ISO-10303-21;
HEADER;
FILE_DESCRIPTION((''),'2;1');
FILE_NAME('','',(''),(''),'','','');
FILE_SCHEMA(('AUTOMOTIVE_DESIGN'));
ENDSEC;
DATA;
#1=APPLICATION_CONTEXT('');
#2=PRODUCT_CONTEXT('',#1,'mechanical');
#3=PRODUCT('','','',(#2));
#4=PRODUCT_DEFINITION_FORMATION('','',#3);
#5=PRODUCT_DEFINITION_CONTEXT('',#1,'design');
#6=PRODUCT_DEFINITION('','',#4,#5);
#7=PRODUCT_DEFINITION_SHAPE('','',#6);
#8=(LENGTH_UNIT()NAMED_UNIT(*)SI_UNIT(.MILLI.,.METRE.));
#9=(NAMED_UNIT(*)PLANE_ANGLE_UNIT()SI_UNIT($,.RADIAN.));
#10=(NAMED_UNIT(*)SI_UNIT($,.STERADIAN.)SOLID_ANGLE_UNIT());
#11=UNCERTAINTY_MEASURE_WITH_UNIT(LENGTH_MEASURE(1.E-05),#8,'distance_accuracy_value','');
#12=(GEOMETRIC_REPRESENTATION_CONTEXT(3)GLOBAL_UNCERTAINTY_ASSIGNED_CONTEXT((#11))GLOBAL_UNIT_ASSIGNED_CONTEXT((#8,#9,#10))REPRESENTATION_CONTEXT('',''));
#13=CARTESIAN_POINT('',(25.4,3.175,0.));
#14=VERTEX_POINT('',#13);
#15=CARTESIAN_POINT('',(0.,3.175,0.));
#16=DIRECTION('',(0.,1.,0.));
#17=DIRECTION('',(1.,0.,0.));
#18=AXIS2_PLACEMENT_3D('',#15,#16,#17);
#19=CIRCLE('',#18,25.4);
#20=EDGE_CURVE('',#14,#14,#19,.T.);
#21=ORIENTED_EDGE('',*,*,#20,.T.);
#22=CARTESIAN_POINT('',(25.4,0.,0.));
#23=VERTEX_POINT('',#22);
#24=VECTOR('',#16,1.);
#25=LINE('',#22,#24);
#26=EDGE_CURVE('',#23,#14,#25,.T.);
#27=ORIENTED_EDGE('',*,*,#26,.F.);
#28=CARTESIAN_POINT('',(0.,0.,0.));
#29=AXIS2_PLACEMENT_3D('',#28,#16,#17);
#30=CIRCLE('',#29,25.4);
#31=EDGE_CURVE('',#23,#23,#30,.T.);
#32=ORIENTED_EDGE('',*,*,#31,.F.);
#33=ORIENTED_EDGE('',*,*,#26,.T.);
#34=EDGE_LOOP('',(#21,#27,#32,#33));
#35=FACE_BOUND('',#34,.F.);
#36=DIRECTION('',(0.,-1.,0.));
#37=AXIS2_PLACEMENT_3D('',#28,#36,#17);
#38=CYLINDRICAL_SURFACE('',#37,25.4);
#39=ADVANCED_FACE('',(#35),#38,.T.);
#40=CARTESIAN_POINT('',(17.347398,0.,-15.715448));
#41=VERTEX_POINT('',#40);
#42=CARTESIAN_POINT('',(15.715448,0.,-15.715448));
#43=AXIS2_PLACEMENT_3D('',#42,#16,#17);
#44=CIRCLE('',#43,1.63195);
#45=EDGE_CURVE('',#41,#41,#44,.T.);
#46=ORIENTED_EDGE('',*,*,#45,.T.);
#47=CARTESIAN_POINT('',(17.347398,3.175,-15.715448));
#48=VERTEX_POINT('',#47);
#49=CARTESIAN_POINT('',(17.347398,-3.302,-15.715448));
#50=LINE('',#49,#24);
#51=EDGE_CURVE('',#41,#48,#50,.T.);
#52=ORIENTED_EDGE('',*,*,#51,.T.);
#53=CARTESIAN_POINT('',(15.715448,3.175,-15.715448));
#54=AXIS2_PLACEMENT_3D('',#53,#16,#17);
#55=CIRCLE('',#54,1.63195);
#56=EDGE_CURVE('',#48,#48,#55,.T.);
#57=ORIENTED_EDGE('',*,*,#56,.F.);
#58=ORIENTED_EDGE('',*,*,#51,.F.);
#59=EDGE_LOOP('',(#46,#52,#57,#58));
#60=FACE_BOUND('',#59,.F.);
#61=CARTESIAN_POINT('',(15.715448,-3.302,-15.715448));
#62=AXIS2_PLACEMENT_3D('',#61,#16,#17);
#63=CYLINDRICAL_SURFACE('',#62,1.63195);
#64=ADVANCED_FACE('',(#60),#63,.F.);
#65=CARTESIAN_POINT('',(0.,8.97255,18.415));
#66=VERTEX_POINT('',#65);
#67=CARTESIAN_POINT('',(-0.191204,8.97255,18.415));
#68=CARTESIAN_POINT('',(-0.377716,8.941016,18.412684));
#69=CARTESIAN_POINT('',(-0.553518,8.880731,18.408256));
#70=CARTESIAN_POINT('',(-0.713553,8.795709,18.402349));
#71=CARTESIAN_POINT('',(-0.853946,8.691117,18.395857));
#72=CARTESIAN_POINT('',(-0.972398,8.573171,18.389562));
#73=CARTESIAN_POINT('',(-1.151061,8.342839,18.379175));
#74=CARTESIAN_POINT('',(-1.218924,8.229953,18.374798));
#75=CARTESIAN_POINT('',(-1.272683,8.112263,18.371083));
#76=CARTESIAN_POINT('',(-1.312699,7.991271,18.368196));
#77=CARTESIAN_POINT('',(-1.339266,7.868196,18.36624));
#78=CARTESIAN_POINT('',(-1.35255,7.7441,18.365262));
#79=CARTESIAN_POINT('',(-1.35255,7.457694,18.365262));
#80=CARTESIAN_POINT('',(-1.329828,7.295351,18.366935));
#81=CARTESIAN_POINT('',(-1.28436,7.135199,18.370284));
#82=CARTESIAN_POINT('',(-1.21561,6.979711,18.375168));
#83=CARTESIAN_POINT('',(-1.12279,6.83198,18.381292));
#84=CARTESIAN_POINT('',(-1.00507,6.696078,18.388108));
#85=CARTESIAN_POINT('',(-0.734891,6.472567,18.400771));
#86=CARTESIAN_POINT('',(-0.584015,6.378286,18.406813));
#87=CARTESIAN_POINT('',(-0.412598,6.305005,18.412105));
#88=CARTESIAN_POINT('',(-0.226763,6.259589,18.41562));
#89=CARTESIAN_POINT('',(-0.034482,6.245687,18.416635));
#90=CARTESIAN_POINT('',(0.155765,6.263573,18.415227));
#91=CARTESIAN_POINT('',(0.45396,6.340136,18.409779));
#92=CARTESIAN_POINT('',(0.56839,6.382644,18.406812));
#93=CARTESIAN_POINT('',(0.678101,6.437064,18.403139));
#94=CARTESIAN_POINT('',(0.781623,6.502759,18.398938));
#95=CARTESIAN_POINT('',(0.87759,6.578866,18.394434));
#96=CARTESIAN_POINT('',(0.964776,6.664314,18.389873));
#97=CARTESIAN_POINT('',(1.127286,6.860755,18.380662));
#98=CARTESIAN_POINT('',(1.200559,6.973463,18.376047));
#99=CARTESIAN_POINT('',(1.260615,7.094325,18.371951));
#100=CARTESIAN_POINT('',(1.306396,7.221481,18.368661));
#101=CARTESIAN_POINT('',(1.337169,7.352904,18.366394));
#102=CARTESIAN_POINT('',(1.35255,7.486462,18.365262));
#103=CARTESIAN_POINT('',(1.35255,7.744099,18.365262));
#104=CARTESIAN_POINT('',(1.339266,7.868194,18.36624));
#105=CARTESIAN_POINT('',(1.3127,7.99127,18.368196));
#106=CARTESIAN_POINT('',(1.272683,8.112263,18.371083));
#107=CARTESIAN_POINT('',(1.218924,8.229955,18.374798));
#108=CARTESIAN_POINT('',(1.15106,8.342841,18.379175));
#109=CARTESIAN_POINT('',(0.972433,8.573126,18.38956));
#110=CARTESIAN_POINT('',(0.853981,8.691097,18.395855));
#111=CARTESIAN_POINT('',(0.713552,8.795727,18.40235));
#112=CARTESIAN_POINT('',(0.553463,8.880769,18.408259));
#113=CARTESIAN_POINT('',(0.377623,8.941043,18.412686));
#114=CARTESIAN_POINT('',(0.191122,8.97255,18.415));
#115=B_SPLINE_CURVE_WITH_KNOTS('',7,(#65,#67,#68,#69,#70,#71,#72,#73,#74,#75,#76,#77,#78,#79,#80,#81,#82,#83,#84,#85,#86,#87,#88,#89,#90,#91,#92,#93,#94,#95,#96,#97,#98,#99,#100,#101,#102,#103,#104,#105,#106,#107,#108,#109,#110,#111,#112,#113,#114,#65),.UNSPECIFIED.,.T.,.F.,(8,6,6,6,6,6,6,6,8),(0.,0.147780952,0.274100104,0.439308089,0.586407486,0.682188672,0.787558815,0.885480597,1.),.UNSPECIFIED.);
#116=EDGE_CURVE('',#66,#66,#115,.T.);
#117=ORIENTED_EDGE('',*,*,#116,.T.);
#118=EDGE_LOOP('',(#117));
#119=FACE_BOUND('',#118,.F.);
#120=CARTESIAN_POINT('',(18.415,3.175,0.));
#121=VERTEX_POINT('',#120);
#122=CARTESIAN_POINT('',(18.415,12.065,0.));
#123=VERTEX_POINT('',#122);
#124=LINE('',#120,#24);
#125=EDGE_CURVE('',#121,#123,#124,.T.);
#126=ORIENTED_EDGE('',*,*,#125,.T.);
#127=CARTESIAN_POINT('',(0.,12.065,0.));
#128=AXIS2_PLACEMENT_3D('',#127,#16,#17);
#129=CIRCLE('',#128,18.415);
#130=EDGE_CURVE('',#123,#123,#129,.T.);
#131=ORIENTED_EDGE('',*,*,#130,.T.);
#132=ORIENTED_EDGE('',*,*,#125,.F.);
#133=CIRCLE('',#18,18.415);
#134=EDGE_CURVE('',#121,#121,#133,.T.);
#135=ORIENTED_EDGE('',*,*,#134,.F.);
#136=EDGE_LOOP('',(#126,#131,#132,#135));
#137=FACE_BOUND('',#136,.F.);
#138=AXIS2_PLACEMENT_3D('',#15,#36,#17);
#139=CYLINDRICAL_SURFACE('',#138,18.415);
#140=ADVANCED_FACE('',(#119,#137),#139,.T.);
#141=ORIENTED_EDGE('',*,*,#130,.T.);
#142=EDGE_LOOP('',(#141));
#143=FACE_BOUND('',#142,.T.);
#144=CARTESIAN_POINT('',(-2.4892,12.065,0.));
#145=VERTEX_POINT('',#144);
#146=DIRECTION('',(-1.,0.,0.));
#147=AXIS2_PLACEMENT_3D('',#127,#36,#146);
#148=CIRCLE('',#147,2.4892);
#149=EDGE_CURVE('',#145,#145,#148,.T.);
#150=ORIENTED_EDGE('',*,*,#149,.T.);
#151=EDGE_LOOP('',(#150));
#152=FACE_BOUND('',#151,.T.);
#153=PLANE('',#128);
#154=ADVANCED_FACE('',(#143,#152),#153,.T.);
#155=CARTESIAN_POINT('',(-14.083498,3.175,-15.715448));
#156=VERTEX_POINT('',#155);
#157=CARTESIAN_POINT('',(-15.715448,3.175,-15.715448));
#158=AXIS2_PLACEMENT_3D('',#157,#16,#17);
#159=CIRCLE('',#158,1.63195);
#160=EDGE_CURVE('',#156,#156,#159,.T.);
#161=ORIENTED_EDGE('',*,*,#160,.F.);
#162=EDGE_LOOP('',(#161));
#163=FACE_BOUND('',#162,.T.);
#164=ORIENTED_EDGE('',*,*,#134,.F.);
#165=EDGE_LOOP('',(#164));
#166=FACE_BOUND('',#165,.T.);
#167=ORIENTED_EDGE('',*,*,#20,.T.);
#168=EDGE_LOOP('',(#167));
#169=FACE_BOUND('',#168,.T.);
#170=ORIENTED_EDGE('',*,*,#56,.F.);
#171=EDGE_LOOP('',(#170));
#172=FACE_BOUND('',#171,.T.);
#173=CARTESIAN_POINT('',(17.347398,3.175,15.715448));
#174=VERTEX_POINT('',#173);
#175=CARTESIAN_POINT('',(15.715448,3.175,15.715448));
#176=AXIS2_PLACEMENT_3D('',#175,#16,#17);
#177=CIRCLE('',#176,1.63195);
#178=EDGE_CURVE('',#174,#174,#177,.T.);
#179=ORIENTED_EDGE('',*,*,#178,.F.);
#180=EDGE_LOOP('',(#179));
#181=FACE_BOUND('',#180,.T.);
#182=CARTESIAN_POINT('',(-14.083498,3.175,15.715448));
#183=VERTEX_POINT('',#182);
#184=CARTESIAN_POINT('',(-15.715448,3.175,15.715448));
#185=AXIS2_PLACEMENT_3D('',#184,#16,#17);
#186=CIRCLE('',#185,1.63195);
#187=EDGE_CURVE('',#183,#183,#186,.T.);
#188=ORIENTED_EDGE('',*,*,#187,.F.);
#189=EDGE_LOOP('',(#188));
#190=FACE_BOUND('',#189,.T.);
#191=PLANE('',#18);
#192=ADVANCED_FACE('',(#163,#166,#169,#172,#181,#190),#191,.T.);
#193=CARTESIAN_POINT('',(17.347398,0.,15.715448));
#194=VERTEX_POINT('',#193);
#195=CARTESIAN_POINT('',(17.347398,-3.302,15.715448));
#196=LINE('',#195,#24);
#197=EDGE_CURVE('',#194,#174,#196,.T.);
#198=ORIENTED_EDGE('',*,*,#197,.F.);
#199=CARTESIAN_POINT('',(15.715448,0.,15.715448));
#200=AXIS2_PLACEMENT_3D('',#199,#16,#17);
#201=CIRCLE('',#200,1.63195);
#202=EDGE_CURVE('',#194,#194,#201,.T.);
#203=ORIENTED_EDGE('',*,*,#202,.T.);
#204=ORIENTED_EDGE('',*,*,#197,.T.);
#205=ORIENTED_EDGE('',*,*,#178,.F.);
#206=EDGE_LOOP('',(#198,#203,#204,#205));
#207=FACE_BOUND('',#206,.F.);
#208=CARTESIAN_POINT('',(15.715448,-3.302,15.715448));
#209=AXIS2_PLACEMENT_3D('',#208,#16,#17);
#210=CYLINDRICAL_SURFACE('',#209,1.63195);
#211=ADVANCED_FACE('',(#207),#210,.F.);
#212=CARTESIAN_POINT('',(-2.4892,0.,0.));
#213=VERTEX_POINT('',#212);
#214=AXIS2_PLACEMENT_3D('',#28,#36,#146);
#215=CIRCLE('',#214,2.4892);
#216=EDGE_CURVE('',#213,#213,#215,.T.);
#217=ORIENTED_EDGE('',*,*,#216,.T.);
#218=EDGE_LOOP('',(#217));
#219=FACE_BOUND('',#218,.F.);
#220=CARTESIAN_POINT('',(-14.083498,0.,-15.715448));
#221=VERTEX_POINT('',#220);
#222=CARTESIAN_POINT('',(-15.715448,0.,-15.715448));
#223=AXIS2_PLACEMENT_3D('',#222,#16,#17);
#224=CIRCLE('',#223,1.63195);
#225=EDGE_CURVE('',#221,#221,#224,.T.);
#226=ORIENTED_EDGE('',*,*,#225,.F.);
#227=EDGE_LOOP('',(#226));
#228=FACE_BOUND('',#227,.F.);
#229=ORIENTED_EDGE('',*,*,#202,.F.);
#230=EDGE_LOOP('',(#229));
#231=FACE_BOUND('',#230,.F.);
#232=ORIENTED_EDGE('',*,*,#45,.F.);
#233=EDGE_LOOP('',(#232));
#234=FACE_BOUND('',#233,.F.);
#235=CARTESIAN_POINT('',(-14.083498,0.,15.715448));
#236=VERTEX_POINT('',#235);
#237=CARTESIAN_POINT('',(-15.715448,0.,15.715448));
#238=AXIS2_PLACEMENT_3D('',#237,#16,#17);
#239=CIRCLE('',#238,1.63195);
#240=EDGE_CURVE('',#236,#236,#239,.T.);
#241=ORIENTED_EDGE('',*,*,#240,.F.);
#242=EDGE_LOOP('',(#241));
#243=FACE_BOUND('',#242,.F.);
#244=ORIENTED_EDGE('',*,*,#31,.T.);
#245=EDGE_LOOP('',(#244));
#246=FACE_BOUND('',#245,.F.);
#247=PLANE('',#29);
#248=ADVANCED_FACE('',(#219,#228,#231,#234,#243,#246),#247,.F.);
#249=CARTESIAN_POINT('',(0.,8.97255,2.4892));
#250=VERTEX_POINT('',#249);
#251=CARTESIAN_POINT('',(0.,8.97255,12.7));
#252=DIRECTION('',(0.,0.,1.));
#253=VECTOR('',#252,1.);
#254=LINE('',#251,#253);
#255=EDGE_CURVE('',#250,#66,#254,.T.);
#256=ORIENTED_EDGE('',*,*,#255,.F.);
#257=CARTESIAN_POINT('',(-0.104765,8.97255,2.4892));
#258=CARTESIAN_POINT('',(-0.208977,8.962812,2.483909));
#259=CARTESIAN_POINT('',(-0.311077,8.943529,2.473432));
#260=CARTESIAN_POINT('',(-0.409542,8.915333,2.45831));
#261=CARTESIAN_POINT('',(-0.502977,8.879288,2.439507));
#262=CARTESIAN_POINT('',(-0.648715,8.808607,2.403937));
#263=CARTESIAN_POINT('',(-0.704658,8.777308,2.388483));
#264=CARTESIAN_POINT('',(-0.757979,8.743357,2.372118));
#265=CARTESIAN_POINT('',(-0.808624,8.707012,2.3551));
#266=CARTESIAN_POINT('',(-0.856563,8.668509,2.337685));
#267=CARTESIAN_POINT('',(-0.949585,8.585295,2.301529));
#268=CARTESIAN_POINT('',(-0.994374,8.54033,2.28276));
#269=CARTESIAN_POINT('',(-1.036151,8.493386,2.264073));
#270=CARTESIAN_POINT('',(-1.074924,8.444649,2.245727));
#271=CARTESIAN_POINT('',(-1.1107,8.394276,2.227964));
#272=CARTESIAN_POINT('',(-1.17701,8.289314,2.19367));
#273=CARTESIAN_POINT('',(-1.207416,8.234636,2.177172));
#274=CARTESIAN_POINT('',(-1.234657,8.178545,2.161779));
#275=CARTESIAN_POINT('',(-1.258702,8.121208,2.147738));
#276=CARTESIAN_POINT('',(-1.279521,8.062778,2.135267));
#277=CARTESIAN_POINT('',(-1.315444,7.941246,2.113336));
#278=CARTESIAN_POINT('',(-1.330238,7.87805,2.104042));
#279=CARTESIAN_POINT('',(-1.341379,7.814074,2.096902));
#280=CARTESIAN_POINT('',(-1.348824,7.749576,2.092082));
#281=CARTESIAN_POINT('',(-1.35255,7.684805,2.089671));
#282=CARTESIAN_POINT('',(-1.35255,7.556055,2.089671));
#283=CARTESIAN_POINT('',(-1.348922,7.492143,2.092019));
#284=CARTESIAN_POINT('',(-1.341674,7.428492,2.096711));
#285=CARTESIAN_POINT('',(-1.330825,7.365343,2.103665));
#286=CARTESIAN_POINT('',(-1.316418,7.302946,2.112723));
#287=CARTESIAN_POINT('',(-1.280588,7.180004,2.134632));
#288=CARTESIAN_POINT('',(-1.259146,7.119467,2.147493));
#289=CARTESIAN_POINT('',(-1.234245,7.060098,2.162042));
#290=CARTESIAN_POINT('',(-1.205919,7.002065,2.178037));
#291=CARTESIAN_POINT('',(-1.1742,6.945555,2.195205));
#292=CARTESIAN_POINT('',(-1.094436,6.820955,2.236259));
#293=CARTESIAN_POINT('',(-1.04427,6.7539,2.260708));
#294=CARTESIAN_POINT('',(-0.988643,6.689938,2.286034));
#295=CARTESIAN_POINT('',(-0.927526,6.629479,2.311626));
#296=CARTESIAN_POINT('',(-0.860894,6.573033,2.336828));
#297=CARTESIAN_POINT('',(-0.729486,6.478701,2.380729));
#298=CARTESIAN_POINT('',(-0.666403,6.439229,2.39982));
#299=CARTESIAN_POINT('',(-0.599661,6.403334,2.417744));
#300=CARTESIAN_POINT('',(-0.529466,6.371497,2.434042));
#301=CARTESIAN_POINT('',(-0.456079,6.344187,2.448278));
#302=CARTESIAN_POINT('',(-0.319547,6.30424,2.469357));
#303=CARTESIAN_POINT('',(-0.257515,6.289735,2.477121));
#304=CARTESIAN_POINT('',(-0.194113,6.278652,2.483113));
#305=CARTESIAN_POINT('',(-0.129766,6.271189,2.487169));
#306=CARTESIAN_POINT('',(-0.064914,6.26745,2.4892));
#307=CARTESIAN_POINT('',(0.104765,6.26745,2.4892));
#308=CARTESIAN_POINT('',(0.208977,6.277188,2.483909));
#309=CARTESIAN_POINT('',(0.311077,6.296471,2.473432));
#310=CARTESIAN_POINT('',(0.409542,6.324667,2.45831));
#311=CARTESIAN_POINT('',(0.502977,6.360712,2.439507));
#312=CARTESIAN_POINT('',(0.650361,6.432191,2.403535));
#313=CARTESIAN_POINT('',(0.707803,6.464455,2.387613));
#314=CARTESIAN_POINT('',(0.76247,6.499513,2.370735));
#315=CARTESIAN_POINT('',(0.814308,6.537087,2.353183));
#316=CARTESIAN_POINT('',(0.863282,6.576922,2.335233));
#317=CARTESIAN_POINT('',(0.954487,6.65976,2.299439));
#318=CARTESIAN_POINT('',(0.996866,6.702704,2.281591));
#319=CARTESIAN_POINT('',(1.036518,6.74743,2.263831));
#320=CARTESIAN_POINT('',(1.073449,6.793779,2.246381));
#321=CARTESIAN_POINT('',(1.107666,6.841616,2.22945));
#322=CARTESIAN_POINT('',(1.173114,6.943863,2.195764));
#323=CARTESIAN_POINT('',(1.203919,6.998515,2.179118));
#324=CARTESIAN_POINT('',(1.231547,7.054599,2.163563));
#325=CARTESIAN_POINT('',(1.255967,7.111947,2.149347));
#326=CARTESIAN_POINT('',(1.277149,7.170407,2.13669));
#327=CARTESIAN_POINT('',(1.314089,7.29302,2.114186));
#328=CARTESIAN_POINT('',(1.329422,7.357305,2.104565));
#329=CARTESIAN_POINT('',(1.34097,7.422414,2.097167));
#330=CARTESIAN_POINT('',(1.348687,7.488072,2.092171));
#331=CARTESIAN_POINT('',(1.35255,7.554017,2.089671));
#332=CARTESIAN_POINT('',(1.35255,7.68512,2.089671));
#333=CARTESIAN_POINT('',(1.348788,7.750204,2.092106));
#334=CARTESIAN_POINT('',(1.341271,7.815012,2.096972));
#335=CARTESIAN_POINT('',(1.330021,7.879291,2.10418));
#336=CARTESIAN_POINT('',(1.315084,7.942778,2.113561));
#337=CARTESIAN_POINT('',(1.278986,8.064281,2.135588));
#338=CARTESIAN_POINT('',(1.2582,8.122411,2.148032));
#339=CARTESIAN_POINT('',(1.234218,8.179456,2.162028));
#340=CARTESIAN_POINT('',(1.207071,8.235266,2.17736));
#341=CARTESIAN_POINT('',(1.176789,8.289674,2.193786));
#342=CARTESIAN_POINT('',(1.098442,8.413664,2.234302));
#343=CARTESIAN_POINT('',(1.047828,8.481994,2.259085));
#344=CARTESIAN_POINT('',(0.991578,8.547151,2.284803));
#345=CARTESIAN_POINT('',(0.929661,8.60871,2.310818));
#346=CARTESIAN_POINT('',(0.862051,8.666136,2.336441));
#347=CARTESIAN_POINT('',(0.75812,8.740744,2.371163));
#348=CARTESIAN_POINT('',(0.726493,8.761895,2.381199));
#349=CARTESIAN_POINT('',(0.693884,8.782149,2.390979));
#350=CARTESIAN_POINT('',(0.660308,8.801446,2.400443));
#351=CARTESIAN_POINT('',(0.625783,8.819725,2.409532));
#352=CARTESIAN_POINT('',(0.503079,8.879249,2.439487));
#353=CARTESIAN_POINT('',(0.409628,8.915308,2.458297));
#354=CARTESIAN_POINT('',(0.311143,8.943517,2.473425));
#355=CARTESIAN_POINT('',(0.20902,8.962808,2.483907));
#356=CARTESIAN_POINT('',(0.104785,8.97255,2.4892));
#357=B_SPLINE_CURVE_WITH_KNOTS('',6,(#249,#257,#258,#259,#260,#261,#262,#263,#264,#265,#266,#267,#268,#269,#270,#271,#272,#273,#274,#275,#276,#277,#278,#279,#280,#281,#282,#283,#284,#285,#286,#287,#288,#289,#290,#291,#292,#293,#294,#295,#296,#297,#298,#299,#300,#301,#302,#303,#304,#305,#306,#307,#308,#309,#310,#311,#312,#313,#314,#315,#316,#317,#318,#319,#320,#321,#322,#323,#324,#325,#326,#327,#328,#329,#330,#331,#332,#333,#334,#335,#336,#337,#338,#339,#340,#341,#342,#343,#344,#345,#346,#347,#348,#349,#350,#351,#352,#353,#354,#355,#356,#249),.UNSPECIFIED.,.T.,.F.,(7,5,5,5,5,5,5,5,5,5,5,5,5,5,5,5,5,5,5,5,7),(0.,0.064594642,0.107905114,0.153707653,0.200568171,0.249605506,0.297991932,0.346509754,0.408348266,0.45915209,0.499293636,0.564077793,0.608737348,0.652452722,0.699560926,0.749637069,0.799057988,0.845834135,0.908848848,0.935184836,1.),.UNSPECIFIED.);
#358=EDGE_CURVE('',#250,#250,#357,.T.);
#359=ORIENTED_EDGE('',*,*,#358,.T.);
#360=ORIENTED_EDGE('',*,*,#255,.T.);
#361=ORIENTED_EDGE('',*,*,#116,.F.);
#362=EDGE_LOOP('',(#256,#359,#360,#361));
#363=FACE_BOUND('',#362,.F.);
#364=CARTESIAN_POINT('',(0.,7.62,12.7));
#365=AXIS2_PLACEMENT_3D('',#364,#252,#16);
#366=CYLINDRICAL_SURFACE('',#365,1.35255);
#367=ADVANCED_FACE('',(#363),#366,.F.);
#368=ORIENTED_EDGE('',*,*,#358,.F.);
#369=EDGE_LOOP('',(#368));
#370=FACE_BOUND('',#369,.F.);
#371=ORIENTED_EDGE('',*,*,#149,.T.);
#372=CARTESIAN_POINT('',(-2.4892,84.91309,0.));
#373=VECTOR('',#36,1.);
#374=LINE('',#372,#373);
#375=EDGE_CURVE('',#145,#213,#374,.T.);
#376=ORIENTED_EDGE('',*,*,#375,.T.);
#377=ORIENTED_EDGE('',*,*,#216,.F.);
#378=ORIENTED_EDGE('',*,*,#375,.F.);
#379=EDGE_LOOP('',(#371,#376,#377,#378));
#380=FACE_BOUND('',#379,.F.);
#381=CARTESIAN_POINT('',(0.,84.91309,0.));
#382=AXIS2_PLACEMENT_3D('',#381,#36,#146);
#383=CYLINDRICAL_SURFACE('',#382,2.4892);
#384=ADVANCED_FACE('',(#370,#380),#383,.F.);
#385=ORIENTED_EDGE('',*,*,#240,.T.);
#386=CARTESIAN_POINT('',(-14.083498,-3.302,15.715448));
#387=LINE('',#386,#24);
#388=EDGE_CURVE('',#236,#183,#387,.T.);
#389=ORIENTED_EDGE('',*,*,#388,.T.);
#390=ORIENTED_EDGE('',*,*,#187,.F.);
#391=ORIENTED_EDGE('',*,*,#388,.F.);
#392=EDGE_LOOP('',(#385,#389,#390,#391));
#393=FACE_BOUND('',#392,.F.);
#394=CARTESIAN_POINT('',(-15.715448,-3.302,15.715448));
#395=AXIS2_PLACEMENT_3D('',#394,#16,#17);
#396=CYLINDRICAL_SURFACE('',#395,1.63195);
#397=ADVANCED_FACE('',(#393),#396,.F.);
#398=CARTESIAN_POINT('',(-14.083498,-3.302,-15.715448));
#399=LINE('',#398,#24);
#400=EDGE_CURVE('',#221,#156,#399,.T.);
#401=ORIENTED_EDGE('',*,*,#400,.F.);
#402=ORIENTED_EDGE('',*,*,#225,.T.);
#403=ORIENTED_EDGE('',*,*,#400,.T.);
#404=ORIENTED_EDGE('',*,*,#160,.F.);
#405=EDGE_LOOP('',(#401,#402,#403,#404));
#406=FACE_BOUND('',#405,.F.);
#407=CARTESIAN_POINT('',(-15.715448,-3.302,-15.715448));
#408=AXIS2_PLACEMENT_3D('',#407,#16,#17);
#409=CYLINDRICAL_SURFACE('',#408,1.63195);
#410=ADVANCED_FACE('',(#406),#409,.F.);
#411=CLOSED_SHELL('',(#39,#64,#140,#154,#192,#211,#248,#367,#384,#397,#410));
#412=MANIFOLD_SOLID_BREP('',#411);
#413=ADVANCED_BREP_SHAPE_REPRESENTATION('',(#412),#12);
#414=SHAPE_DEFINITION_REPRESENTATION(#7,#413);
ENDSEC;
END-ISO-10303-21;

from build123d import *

# Parameters (mm, degrees)
SKETCH10_R                 = 25.4
BOSS_EXTRUDE1_DEPTH        = 3.175
SKETCH13_R                 = 18.415
BOSS_EXTRUDE2_DEPTH        = 8.89
F_9_0_196_DIAMETER_HOLE1_D = 4.9784
SKETCH18_W                 = 1.35255
SKETCH18_H                 = 25.4
F_4_CLEARANCE_HOLE2_D      = 3.2639
F_4_CLEARANCE_HOLE2_DEPTH  = 3.302
F_4_CLEARANCE_HOLE2_TIP    = 0.980574487


with BuildPart() as part:
    # Sketch10 → Boss-Extrude1 (new body)
    with BuildSketch(Plane(origin=(0, 0, 0), x_dir=(1, 0, 0), z_dir=(0, 1, 0))):
        Circle(SKETCH10_R)
    extrude(amount=BOSS_EXTRUDE1_DEPTH)

    # Sketch13 → Boss-Extrude2 (add)
    with BuildSketch(Plane(origin=(0, 3.175, 0), x_dir=(1, 0, 0), z_dir=(0, 1, 0))):
        Circle(SKETCH13_R)
    extrude(amount=BOSS_EXTRUDE2_DEPTH)

    # #9 (0.196) Diameter Hole1 (through all)
    with Locations(Plane(origin=(0, 12.065, 0), x_dir=(1, 0, 0), z_dir=(0, 1, 0))):
        with Locations((0, 0)):
            Hole(F_9_0_196_DIAMETER_HOLE1_D / 2)

    # Sketch18 → #6-32 Tapped Hole2 (revolve, cut)
    with BuildSketch(Plane(origin=(0, 7.62, 0), x_dir=(0, 1, 0), z_dir=(1, 0, 0))):
        with Locations((0.676275, 12.7)):
            Rectangle(SKETCH18_W, SKETCH18_H)
    revolve(axis=Axis((0, 7.62, -6.35), (0, 0, 1)), mode=Mode.SUBTRACT)

    # #4 Clearance Hole2
    with Locations(Plane(origin=(0, 0, 0), x_dir=(-1, 0, 0), z_dir=(0, -1, 0))):
        with Locations((-15.715448212, -15.715448212), (15.715448212, -15.715448212), (15.715448212, 15.715448212), (-15.715448212, 15.715448212)):
            Hole(F_4_CLEARANCE_HOLE2_D / 2, depth=F_4_CLEARANCE_HOLE2_DEPTH)
            with Locations((0, 0, -(F_4_CLEARANCE_HOLE2_DEPTH + F_4_CLEARANCE_HOLE2_TIP / 2))):  # 118° drill point
                Cone(0, F_4_CLEARANCE_HOLE2_D / 2, F_4_CLEARANCE_HOLE2_TIP, mode=Mode.SUBTRACT)


solid = part.part
